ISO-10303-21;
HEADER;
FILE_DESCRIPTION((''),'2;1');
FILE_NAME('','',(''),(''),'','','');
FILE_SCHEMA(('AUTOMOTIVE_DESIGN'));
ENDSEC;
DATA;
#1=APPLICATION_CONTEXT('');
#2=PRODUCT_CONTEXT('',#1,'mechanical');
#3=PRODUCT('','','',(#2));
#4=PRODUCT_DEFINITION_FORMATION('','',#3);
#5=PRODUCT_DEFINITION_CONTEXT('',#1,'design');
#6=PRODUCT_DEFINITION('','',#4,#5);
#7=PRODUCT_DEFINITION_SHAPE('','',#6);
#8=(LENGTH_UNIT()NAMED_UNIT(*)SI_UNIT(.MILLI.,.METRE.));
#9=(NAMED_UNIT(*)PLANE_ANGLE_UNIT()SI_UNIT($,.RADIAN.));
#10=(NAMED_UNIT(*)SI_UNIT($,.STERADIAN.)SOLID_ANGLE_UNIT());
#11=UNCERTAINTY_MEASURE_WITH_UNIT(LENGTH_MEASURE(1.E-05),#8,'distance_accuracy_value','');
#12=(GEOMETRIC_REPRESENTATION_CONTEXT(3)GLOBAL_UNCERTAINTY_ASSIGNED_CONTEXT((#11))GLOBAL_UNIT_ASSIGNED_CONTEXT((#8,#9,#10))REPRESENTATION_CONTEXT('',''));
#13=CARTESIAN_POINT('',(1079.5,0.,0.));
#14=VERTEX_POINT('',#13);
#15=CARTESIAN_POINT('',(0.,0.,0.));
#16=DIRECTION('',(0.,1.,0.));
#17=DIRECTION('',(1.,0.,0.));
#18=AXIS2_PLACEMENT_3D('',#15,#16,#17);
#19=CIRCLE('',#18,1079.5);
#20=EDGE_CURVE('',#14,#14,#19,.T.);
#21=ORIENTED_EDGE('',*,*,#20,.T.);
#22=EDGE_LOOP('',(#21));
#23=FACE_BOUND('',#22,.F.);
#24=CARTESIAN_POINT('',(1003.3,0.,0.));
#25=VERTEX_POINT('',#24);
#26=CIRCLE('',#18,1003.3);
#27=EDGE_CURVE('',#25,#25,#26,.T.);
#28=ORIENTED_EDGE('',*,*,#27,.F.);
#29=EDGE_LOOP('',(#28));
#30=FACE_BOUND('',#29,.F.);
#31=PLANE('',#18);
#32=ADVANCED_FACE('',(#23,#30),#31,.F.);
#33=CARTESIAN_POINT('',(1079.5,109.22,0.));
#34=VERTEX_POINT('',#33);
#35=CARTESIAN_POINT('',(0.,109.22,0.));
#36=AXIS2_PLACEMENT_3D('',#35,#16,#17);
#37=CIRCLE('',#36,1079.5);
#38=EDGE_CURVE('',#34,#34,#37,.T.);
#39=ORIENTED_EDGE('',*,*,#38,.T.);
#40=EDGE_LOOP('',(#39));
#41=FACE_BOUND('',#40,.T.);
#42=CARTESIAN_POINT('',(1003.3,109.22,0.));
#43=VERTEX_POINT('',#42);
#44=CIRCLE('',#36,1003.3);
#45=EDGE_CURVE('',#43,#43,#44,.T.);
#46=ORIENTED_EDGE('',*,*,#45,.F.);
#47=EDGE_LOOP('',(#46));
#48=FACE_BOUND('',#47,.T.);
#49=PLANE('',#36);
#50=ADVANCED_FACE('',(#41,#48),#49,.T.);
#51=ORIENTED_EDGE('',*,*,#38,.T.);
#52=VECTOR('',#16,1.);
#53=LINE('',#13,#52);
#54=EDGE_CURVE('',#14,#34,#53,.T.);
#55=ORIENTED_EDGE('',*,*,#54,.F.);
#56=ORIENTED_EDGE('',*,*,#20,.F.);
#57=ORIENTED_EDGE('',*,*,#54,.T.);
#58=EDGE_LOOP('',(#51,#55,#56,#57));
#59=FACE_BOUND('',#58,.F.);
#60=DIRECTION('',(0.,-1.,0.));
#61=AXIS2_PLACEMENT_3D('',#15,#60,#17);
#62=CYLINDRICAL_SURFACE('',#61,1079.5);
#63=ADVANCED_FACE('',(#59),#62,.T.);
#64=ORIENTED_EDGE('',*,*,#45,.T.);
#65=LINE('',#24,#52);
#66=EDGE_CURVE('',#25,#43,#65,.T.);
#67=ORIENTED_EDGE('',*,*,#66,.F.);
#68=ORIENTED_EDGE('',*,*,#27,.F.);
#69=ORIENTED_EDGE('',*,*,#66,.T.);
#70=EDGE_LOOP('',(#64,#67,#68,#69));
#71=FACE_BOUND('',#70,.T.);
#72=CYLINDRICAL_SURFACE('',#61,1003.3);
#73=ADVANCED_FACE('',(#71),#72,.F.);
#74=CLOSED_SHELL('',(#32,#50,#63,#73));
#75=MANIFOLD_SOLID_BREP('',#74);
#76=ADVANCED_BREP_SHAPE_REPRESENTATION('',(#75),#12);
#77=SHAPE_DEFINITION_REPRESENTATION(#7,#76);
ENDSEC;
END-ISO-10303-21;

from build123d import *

# Parameters (mm, degrees)
SKETCH1_R           = 1079.5
SKETCH1_R_2         = 1003.3
BOSS_EXTRUDE1_DEPTH = 109.22


with BuildPart() as part:
    # Sketch1 → Boss-Extrude1 (new body)
    with BuildSketch(Plane(origin=(0, 0, 0), x_dir=(1, 0, 0), z_dir=(0, 1, 0))):
        Circle(SKETCH1_R)
        Circle(SKETCH1_R_2, mode=Mode.SUBTRACT)
    extrude(amount=BOSS_EXTRUDE1_DEPTH)


solid = part.part
